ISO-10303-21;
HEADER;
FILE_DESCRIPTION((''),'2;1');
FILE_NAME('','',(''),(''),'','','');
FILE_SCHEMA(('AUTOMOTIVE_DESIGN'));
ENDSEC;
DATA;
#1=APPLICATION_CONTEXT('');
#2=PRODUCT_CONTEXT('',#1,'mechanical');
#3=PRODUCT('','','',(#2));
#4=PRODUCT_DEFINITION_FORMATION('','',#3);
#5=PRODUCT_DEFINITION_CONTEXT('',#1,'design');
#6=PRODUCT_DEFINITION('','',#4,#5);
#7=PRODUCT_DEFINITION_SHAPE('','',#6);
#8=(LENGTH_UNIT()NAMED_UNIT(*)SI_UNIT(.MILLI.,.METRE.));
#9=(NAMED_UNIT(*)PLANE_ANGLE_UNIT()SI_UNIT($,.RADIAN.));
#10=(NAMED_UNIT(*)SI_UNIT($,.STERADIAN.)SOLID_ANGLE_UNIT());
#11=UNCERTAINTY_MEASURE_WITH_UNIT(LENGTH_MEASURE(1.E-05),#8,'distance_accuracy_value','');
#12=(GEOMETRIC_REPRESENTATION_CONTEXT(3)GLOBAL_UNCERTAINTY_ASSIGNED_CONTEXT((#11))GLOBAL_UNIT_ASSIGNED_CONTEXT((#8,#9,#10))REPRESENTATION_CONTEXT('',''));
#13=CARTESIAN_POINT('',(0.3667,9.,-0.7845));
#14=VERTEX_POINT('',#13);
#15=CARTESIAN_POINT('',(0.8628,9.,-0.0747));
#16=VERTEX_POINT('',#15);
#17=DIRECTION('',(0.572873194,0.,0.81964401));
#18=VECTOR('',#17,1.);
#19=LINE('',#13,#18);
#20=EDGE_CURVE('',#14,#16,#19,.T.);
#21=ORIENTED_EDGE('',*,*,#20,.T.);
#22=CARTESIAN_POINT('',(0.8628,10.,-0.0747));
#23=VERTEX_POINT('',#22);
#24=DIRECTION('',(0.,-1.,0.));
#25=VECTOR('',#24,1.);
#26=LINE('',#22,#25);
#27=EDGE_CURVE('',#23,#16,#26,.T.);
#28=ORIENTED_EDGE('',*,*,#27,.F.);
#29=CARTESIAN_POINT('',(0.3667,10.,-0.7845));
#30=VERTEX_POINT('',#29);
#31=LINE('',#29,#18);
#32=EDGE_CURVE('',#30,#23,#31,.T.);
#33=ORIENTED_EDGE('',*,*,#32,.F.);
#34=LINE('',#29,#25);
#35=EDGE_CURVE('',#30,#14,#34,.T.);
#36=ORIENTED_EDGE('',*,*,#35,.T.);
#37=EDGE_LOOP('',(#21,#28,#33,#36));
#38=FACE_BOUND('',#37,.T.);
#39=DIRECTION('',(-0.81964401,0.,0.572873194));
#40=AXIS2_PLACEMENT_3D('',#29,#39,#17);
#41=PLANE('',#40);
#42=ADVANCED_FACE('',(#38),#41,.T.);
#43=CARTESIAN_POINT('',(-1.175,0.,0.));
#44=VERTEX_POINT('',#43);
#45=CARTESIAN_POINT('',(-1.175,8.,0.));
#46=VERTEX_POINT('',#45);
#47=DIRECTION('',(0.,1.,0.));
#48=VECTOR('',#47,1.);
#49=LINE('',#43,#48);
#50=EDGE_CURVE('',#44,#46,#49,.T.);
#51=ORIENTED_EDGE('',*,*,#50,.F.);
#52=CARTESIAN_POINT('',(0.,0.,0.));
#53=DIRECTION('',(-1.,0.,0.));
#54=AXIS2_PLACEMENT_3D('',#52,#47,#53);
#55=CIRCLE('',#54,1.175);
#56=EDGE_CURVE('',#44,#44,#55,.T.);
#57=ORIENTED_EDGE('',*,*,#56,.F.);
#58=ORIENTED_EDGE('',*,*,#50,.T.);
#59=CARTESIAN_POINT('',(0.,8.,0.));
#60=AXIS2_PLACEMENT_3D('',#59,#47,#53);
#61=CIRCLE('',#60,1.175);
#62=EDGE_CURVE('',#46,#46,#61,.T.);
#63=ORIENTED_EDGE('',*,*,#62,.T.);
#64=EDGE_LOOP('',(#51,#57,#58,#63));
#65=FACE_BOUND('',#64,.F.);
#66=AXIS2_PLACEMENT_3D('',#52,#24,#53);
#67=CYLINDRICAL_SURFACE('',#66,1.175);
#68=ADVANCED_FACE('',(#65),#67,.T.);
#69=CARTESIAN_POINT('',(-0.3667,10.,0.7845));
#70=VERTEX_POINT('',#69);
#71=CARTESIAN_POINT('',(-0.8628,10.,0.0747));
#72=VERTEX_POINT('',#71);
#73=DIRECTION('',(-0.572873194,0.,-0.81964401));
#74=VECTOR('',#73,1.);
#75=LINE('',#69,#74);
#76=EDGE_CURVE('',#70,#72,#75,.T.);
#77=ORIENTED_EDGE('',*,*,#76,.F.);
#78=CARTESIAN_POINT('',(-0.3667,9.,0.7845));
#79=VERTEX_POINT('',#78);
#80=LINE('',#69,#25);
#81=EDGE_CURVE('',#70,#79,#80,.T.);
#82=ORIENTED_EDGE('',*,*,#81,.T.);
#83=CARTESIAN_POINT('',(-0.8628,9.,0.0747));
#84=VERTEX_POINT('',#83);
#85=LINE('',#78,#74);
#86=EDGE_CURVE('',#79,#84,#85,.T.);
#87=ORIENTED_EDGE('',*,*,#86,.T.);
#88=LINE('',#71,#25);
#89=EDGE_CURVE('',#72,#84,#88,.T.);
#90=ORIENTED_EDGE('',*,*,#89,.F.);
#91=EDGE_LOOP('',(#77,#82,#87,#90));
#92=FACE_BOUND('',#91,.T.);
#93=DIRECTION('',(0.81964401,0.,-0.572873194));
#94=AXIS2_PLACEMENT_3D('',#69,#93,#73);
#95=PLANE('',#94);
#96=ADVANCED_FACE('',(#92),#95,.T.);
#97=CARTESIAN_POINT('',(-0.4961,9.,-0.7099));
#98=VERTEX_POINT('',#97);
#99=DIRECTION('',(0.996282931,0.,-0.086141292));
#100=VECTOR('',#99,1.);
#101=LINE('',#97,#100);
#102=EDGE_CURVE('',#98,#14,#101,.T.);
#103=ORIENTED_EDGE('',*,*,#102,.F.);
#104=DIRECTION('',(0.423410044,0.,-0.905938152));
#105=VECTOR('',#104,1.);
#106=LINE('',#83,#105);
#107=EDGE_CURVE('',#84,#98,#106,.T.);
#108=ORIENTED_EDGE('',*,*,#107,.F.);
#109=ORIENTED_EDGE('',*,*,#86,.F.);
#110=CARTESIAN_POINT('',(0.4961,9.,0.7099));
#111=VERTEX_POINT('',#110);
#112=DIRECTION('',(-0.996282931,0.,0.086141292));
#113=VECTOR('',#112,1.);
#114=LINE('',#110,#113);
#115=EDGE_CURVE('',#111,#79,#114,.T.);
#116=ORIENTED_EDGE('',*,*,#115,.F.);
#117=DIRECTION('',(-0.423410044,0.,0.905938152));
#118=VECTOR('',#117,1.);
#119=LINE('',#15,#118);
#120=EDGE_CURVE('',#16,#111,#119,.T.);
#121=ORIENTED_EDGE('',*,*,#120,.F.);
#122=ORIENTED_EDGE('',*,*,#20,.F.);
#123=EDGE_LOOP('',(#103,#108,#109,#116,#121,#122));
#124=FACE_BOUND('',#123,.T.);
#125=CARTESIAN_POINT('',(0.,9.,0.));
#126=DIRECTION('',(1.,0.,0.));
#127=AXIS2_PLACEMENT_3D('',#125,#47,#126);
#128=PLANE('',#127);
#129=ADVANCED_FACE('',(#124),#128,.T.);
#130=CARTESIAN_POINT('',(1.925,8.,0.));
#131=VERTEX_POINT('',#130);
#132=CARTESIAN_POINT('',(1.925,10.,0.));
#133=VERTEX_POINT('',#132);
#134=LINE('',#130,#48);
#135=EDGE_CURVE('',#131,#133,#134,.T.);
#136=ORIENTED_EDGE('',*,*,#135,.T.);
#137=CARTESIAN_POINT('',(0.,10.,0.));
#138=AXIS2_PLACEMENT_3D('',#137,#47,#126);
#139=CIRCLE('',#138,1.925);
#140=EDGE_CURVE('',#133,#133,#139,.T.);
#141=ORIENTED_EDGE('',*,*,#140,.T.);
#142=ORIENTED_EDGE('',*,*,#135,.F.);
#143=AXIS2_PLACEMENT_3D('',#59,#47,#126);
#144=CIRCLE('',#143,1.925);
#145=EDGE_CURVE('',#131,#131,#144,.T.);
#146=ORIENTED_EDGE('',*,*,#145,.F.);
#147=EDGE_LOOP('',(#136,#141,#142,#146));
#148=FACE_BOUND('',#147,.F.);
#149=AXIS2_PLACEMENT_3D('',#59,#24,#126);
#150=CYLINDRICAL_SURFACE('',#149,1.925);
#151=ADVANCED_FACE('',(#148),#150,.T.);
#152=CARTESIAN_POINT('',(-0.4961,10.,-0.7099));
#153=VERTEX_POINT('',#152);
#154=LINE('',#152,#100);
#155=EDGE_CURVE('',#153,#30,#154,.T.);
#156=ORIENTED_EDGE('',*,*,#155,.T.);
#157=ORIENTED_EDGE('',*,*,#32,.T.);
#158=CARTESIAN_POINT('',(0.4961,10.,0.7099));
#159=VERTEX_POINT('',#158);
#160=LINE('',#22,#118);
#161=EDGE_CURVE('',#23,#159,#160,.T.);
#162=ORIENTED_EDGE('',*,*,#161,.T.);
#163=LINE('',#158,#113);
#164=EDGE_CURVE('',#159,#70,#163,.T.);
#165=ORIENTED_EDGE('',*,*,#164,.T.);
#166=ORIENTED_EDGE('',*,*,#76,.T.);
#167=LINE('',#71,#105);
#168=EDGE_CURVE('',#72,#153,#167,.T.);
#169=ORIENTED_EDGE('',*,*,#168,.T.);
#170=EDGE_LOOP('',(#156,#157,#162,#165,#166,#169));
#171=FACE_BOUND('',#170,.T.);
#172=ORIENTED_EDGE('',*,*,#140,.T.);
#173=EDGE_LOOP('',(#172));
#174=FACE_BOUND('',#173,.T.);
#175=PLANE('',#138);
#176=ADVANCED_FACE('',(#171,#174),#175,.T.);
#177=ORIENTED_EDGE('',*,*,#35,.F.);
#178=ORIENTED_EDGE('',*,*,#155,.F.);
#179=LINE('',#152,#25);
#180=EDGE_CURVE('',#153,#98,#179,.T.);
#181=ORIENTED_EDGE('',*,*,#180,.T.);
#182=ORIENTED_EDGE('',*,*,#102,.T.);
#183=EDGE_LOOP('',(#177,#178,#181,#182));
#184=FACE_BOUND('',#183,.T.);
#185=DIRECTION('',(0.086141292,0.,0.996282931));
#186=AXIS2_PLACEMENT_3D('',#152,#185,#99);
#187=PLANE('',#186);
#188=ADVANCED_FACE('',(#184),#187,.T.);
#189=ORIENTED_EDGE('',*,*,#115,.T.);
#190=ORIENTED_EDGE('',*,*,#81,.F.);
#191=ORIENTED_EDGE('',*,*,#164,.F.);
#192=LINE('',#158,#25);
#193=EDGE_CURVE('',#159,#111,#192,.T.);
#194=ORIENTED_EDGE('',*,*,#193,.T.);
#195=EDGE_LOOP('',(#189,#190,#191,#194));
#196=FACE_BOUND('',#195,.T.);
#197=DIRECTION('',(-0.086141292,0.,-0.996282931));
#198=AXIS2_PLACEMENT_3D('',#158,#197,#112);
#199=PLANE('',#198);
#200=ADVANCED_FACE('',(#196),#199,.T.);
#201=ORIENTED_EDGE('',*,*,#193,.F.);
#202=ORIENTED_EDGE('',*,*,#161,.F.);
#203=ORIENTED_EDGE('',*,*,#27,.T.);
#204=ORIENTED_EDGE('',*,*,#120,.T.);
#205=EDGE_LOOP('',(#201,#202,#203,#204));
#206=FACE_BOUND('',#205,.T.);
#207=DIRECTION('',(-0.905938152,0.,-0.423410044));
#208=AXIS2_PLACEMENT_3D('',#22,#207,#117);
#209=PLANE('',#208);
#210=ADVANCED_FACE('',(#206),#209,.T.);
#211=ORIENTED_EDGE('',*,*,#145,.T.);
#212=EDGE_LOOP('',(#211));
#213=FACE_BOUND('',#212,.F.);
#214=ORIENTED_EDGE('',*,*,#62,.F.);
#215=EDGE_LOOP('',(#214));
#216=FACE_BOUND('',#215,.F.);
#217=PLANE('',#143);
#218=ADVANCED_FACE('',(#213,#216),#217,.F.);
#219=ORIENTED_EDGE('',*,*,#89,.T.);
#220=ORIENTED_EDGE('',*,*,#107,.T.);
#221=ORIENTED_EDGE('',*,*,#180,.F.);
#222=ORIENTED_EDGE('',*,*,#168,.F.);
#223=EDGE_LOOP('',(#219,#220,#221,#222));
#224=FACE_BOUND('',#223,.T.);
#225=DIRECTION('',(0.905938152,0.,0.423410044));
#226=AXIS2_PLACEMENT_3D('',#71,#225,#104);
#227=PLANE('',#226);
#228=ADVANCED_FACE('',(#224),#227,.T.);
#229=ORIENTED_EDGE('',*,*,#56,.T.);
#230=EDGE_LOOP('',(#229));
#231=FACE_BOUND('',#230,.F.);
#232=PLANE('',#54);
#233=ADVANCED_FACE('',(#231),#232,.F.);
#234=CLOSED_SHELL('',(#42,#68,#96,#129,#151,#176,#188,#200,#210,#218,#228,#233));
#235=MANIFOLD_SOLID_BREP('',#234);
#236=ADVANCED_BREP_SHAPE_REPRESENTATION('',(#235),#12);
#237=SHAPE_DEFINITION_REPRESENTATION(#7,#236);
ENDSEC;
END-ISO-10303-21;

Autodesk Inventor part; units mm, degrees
ref_plane "YZ Plane" through (0, 0, 0) normal (1, 0, 0) x (0, 1, 0)
ref_plane "XZ Plane" through (0, 0, 0) normal (0, 1, 0) x (-1, 0, 0)
ref_plane "XY Plane" through (0, 0, 0) normal (0, 0, 1) x (1, 0, 0)
sketch "Sketch1" plane through (0, 0, 0) normal (0, 1, 0) x (-1, 0, 0)
  circle A0 centre (0, 0) radius 1.175
  dimension "d0" = 2.35
extrude "Extrusion1" add sketch "Sketch1" along normal blind 8
sketch "Sketch2" plane through (0, 8, 0) normal (0, 1, 0) x (1, 0, 0)
  circle A0 centre (0, 0) radius 1.175 projected
  circle A1 centre (0, 0) radius 1.925
  dimension "d3" = 3.85
extrude "Extrusion2" add sketch "Sketch2" along normal blind 2 contours A0 | A1
sketch "Sketch3" plane through (0, 10, 0) normal (0, 1, 0) x (1, 0, 0)
  line L0 (-0.4961, 0.7099) -> (0.3667, 0.7845)
  line L1 (0.3667, 0.7845) -> (0.8628, 0.0747)
  line L2 (0.8628, 0.0747) -> (0.4961, -0.7099)
  line L3 (0.4961, -0.7099) -> (-0.3667, -0.7845)
  line L4 (-0.3667, -0.7845) -> (-0.8628, -0.0747)
  line L5 (-0.8628, -0.0747) -> (-0.4961, 0.7099)
  point P0 (0, 0)
  point P1 (0, 0)
  dimension "d6" = 1.5
extrude "Extrusion3" cut sketch "Sketch3" against normal blind 1
equation "\"d0\" = M2_A"
equation "\"d3\" = M2_B"
equation "\"M2_A\" = 2.35"
equation "\"M2_B\" = 3.85"
properties part number "M2_SCREW_8MM"
